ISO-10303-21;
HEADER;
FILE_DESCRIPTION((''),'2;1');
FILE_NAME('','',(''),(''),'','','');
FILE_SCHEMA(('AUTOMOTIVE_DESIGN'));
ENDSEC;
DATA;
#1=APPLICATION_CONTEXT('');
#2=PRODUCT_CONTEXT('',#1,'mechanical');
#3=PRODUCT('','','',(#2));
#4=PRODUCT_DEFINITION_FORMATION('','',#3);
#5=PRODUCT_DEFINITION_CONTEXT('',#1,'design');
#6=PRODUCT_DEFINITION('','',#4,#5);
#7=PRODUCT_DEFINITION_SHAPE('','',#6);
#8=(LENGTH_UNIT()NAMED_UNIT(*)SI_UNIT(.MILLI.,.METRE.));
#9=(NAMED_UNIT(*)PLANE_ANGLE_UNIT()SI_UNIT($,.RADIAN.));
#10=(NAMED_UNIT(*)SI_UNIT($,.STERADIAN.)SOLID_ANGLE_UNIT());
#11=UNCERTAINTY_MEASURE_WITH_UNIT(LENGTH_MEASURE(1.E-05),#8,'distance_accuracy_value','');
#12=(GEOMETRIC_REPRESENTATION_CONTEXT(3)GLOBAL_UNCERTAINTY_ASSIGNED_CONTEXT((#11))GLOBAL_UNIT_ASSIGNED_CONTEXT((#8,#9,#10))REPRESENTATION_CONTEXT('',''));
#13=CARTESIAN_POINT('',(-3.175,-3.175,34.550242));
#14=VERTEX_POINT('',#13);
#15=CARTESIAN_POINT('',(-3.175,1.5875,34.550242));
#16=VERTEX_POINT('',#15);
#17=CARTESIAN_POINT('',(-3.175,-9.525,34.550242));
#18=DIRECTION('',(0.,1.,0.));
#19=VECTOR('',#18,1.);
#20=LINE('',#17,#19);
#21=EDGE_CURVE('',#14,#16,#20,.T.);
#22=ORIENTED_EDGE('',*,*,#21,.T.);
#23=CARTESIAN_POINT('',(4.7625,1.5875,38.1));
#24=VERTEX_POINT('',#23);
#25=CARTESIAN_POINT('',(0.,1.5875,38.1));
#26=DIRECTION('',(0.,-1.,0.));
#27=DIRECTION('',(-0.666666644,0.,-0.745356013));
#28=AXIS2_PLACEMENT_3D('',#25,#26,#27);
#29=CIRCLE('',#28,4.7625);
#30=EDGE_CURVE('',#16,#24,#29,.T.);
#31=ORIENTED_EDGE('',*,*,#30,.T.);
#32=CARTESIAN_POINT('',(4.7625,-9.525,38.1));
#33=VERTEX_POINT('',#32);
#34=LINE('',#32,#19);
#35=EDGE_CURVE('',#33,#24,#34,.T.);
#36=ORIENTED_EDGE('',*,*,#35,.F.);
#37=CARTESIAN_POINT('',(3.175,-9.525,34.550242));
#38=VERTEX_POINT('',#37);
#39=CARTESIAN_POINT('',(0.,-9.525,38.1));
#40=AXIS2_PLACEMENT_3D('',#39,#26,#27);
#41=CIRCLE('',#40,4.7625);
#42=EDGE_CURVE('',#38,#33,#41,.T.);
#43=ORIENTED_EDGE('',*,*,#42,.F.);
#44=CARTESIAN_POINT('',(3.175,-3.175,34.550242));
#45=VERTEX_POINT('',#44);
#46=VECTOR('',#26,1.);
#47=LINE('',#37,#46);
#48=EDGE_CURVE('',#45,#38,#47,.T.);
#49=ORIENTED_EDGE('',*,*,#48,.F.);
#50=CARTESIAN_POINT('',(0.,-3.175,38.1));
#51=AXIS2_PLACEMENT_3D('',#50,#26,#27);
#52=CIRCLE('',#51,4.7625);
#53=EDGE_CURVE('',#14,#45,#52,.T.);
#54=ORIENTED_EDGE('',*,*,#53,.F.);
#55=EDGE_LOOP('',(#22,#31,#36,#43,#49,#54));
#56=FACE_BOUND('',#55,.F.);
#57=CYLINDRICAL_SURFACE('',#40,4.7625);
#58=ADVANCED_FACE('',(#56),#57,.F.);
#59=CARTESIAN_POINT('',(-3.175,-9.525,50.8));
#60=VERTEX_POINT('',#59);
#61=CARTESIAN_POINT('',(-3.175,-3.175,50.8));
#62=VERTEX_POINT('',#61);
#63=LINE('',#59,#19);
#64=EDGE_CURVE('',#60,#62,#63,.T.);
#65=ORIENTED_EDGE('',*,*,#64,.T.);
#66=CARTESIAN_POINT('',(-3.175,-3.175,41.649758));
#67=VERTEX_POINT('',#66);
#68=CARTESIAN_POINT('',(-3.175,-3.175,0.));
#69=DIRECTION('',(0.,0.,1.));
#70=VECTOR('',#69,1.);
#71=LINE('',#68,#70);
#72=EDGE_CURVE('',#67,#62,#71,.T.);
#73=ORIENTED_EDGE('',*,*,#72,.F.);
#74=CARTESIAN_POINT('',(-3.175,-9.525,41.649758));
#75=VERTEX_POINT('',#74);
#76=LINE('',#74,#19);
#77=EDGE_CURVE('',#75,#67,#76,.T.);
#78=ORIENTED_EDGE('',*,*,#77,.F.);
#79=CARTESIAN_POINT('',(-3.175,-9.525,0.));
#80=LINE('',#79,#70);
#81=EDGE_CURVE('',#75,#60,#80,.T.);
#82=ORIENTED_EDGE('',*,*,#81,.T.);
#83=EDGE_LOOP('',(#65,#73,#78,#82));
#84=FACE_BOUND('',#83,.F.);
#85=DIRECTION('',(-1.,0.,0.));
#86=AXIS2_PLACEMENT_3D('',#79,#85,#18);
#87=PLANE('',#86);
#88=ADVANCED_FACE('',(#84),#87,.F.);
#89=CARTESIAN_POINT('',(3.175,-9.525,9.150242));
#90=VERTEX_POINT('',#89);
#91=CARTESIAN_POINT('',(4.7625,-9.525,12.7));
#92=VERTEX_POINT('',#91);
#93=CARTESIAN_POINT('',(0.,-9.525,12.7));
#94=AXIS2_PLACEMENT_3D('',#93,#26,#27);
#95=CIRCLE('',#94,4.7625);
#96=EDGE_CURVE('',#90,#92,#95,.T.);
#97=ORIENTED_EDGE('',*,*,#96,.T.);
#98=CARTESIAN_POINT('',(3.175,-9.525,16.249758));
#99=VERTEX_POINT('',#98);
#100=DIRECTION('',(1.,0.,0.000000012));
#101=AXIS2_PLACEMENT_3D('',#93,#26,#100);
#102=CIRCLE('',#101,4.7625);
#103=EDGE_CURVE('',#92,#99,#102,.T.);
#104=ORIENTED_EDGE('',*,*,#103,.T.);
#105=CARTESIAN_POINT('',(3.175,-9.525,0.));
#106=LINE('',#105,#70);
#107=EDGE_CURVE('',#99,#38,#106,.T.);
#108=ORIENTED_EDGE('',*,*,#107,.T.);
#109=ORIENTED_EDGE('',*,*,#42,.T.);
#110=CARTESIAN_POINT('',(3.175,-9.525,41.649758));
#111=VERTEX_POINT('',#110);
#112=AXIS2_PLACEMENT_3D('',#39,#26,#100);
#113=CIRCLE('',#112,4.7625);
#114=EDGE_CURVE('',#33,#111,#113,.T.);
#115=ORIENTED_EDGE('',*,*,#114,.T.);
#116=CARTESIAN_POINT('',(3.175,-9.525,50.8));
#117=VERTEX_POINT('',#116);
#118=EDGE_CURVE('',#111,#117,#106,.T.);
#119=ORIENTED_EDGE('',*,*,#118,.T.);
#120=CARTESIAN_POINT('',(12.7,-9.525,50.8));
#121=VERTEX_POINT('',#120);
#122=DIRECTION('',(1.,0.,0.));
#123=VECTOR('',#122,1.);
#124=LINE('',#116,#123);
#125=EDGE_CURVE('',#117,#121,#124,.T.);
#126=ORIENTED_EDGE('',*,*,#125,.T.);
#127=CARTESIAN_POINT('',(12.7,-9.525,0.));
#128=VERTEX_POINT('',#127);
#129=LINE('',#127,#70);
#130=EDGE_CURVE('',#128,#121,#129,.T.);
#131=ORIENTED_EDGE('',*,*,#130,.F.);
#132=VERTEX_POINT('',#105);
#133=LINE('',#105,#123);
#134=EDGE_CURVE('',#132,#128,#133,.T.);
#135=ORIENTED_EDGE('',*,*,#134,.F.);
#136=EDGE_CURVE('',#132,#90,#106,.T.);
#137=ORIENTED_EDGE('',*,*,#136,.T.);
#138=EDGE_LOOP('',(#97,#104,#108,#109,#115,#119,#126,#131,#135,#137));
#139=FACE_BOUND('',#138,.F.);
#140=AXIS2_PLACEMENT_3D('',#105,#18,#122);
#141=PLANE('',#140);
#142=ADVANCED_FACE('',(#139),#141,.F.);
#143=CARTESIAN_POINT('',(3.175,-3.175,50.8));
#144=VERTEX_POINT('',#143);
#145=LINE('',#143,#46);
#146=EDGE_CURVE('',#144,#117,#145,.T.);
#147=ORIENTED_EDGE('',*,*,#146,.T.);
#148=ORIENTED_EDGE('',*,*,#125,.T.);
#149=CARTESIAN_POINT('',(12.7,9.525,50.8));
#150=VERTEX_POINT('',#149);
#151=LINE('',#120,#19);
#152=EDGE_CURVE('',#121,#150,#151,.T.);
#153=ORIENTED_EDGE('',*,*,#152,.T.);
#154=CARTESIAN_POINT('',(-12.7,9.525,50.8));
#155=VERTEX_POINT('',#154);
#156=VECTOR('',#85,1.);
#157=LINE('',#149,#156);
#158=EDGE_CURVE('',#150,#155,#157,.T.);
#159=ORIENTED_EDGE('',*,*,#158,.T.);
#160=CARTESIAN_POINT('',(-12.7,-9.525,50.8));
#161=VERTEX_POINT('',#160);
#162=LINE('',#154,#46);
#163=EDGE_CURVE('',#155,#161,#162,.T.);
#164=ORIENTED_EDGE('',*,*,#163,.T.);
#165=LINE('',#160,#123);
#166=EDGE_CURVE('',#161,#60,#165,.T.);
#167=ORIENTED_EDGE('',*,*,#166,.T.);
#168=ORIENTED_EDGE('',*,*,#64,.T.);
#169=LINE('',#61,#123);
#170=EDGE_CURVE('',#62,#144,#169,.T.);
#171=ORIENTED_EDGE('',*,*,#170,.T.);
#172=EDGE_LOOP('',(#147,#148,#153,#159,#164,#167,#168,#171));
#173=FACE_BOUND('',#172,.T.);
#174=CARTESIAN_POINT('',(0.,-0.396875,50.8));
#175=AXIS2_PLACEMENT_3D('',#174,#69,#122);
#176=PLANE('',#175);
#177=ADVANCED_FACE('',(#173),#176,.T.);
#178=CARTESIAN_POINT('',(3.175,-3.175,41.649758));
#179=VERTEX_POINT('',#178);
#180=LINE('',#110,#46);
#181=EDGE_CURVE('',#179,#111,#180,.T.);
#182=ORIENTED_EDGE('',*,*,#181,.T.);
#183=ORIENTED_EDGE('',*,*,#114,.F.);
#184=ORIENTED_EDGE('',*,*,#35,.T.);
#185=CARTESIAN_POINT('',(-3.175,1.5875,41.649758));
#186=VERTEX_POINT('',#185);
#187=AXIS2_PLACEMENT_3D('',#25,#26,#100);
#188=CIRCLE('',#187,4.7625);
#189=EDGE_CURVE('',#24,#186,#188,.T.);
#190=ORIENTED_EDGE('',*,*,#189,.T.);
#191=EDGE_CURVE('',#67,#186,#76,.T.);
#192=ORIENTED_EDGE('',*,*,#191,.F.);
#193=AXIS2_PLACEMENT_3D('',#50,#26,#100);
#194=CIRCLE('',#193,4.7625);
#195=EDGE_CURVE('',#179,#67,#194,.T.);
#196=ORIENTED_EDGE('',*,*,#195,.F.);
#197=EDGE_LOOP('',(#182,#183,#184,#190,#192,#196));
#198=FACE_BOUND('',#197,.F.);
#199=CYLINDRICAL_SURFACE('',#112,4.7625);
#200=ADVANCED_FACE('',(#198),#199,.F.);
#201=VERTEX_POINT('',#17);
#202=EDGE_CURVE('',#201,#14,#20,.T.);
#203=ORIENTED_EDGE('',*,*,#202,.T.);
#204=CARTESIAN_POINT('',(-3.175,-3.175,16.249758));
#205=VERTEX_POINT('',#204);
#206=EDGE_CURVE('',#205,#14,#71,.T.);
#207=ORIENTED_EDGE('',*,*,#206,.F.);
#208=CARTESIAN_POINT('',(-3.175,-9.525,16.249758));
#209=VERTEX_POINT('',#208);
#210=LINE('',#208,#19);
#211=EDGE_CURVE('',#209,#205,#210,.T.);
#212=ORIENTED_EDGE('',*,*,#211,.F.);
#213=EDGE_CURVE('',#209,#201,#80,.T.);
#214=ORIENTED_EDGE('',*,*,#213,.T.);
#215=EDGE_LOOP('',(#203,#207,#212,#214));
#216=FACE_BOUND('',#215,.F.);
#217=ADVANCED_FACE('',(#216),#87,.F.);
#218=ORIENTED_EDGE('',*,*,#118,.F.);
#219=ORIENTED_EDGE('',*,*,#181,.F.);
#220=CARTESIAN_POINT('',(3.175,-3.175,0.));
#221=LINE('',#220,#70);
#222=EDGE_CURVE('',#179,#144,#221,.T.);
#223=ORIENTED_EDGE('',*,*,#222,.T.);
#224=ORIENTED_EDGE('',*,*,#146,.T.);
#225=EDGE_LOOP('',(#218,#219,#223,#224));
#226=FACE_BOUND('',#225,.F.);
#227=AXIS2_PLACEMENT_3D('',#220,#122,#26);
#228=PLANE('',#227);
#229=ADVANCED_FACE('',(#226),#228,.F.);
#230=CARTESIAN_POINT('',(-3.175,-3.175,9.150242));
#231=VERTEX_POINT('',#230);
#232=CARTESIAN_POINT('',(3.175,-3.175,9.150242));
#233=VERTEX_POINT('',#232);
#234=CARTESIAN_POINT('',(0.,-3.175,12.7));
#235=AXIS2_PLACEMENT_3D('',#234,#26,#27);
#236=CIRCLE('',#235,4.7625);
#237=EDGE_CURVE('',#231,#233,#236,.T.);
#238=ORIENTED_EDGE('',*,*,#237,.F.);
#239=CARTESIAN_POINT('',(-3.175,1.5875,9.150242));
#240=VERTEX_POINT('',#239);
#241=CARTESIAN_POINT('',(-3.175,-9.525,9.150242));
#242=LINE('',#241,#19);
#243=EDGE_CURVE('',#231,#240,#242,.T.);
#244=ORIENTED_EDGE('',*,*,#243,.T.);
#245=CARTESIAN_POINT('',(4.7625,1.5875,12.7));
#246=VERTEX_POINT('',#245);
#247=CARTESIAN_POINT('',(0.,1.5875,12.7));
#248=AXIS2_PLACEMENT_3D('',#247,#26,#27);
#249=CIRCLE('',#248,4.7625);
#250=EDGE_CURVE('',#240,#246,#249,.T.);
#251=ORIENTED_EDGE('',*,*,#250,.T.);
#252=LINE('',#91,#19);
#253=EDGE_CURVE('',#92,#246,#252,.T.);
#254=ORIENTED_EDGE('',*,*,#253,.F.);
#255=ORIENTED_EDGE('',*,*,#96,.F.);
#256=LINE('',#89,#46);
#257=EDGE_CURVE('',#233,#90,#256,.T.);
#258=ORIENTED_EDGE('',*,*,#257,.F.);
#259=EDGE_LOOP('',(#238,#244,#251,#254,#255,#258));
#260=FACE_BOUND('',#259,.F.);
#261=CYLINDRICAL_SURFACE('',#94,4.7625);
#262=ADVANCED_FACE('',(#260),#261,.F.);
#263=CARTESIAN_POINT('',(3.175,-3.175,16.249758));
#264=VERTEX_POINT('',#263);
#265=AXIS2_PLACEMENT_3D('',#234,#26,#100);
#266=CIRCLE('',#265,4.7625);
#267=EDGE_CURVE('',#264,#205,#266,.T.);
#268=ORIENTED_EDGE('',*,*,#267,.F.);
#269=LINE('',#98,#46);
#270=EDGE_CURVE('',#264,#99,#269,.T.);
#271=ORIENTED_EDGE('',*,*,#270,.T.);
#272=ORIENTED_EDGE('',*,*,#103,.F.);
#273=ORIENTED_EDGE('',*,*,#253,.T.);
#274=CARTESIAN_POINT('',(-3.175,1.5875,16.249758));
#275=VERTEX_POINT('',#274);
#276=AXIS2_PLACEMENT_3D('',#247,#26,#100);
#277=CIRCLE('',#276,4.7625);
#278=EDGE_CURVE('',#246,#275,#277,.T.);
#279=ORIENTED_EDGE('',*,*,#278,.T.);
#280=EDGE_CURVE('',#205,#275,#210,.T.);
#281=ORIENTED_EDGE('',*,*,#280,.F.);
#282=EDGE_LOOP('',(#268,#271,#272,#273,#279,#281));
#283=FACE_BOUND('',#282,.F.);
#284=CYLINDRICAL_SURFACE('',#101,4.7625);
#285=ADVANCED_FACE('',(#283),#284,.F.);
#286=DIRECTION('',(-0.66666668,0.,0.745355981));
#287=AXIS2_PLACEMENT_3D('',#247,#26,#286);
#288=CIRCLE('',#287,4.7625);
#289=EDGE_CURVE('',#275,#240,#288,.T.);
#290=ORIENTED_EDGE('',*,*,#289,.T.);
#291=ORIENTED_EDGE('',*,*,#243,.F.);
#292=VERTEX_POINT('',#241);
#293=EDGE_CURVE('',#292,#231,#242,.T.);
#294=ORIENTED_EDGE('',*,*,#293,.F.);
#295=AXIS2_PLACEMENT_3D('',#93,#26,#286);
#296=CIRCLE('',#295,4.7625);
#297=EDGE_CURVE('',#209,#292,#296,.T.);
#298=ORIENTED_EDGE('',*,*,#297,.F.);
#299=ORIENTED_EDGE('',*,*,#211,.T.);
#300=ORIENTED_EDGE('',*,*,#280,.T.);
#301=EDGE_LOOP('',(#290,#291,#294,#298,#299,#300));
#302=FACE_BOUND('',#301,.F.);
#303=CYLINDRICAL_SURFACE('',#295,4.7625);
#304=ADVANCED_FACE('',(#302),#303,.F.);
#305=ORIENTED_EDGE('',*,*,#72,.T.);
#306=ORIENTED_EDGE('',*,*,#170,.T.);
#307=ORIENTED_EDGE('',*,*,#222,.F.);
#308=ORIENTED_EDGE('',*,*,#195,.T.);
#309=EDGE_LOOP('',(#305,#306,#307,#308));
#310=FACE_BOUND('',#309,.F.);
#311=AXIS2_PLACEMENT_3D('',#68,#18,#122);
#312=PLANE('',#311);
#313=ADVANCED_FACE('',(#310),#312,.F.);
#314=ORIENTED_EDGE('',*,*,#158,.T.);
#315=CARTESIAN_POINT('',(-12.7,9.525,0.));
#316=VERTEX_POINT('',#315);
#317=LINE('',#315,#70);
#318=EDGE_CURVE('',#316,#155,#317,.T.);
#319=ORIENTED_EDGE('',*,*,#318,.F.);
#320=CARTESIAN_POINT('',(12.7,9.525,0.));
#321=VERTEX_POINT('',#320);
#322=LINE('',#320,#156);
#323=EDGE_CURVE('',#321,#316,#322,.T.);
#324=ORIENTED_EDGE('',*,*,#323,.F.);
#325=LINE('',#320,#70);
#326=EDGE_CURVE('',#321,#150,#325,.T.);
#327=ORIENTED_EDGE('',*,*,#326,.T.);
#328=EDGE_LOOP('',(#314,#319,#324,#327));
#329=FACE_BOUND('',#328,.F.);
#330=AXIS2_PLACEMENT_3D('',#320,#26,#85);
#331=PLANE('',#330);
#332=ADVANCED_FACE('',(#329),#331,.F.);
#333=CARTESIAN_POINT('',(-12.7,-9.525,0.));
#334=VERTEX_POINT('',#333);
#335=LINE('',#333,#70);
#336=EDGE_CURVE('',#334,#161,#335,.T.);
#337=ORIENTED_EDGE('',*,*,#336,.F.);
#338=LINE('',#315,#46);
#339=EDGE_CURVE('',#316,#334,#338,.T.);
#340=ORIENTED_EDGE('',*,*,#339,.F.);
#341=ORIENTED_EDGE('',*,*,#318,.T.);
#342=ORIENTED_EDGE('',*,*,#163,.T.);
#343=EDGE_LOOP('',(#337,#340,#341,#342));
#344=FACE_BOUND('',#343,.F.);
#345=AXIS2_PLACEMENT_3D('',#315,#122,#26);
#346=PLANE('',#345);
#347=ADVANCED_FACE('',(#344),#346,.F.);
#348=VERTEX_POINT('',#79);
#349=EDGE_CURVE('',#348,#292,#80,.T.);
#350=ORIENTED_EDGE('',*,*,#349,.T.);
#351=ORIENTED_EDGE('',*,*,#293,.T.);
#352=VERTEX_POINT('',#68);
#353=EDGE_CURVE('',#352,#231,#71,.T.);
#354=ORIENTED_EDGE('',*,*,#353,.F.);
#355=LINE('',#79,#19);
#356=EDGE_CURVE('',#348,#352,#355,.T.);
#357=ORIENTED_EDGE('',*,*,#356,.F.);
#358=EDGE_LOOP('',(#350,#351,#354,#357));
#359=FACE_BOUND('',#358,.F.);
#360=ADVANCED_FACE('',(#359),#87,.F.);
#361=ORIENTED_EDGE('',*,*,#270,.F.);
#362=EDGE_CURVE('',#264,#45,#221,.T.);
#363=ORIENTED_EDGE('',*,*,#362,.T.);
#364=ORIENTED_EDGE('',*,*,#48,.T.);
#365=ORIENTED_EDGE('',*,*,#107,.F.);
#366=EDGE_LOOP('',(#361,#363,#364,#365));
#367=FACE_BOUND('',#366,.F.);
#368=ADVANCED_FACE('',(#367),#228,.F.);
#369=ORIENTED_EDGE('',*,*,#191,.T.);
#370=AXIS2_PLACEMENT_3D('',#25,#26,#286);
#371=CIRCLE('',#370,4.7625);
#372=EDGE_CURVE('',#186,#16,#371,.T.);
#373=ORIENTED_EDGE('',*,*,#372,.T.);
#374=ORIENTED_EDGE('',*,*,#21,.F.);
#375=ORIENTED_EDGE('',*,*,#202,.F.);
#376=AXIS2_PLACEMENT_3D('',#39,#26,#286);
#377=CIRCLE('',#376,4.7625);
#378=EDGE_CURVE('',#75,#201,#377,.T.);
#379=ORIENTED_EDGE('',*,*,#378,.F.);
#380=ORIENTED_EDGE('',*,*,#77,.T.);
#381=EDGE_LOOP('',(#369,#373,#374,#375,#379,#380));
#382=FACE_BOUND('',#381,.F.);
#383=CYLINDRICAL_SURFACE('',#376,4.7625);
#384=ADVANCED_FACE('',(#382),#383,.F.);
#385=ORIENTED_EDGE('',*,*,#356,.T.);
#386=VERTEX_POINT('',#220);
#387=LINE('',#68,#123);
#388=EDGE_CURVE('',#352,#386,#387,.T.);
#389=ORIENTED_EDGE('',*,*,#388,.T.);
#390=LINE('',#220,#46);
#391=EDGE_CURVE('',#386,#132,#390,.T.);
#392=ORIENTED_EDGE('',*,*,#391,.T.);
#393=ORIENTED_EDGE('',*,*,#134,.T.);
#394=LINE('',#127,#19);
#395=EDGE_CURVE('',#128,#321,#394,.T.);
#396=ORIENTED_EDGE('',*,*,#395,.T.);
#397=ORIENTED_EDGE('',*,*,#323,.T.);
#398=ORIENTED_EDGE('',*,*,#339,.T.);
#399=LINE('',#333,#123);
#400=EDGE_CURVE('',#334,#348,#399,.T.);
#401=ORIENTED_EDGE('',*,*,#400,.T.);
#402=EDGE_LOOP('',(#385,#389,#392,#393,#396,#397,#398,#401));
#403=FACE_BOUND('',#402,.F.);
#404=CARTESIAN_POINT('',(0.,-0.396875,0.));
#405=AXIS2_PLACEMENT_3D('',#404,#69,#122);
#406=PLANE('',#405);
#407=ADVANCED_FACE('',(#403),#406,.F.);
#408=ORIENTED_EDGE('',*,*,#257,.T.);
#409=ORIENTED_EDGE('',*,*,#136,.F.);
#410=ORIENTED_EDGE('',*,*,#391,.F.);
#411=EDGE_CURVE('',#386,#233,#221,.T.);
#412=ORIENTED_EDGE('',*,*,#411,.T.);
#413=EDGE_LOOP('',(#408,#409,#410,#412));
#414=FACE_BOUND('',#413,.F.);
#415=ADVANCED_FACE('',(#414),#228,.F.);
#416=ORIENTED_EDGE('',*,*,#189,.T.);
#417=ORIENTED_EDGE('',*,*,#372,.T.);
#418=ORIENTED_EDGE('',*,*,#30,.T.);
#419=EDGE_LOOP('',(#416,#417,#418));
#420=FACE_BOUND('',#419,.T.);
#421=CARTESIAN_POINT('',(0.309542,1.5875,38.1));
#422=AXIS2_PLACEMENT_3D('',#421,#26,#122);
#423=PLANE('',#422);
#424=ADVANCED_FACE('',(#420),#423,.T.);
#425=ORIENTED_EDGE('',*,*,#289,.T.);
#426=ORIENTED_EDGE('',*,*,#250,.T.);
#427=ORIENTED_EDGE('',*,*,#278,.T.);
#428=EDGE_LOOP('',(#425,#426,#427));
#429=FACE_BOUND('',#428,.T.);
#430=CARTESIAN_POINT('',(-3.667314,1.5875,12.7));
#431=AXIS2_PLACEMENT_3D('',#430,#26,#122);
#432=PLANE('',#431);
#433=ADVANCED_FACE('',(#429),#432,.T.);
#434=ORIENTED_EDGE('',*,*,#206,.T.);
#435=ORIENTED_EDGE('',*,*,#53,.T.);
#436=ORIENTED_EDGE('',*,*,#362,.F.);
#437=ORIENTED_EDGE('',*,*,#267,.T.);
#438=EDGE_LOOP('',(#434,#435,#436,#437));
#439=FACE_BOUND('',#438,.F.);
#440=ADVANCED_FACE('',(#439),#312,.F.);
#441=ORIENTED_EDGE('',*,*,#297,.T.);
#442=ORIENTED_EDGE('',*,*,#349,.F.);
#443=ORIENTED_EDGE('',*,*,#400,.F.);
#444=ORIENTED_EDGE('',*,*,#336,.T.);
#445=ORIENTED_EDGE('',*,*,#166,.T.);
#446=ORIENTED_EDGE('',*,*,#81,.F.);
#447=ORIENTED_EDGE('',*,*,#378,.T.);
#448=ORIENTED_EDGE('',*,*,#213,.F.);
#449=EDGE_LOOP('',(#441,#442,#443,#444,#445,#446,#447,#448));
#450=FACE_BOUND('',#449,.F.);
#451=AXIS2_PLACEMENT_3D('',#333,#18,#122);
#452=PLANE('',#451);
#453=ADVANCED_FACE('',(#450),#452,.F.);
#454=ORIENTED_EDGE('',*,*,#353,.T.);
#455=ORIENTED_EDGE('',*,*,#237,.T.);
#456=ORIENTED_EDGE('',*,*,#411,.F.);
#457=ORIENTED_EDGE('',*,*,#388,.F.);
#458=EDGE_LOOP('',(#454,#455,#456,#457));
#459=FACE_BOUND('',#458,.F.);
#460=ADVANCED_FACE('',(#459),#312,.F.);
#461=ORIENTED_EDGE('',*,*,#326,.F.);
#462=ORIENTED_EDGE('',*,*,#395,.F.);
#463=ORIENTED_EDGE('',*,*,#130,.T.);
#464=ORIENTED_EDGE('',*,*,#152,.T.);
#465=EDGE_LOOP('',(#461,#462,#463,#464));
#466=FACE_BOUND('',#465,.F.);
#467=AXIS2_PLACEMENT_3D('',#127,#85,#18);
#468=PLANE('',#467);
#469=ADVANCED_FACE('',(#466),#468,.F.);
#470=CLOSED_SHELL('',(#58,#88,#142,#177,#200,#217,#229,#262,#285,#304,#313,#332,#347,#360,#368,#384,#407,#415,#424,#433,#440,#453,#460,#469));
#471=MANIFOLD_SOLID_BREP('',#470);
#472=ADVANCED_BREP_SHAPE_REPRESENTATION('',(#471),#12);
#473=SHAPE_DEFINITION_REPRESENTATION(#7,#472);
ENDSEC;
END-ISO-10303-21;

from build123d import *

# Parameters (mm, degrees)
F1_DEPTH = 50.8
F3_DEPTH = 11.1125


with BuildPart() as f1:
    # F0 (on Top) → F1 (new body)
    with BuildSketch(Plane.XY):
        Polygon((12.7, -9.525), (12.7, 9.525), (-12.7, 9.525), (-12.7, -9.525), (-3.175, -9.525), (-3.175, -3.175), (3.175, -3.175), (3.175, -9.525), align=None)
    extrude(amount=F1_DEPTH)

    # F2 (on face) → F3 (cut)
    with BuildSketch(Plane.XZ.offset(9.525)):
        with BuildLine():
            ThreePointArc((-3.175, 34.550242), (1.944282, 33.752452), (4.7625, 38.1))
            ThreePointArc((4.7625, 38.1), (1.944282, 42.447548), (-3.175, 41.649758))
            Line((-3.175, 41.649758), (-3.175, 34.550242))
        make_face()
        with BuildLine():
            Line((-3.175, 34.550242), (-3.175, 41.649758))
            ThreePointArc((-3.175, 41.649758), (-4.7625, 38.1), (-3.175, 34.550242))
        make_face()
        with BuildLine():
            Line((-3.175, 9.150242), (-3.175, 16.249758))
            ThreePointArc((-3.175, 16.249758), (-4.7625, 12.7), (-3.175, 9.150242))
        make_face()
        with BuildLine():
            ThreePointArc((4.7625, 12.7), (1.944282, 17.047548), (-3.175, 16.249758))
            Line((-3.175, 16.249758), (-3.175, 9.150242))
            ThreePointArc((-3.175, 9.150242), (1.944282, 8.352452), (4.7625, 12.7))
        make_face()
    extrude(amount=-F3_DEPTH, mode=Mode.SUBTRACT)


solid = f1.part
